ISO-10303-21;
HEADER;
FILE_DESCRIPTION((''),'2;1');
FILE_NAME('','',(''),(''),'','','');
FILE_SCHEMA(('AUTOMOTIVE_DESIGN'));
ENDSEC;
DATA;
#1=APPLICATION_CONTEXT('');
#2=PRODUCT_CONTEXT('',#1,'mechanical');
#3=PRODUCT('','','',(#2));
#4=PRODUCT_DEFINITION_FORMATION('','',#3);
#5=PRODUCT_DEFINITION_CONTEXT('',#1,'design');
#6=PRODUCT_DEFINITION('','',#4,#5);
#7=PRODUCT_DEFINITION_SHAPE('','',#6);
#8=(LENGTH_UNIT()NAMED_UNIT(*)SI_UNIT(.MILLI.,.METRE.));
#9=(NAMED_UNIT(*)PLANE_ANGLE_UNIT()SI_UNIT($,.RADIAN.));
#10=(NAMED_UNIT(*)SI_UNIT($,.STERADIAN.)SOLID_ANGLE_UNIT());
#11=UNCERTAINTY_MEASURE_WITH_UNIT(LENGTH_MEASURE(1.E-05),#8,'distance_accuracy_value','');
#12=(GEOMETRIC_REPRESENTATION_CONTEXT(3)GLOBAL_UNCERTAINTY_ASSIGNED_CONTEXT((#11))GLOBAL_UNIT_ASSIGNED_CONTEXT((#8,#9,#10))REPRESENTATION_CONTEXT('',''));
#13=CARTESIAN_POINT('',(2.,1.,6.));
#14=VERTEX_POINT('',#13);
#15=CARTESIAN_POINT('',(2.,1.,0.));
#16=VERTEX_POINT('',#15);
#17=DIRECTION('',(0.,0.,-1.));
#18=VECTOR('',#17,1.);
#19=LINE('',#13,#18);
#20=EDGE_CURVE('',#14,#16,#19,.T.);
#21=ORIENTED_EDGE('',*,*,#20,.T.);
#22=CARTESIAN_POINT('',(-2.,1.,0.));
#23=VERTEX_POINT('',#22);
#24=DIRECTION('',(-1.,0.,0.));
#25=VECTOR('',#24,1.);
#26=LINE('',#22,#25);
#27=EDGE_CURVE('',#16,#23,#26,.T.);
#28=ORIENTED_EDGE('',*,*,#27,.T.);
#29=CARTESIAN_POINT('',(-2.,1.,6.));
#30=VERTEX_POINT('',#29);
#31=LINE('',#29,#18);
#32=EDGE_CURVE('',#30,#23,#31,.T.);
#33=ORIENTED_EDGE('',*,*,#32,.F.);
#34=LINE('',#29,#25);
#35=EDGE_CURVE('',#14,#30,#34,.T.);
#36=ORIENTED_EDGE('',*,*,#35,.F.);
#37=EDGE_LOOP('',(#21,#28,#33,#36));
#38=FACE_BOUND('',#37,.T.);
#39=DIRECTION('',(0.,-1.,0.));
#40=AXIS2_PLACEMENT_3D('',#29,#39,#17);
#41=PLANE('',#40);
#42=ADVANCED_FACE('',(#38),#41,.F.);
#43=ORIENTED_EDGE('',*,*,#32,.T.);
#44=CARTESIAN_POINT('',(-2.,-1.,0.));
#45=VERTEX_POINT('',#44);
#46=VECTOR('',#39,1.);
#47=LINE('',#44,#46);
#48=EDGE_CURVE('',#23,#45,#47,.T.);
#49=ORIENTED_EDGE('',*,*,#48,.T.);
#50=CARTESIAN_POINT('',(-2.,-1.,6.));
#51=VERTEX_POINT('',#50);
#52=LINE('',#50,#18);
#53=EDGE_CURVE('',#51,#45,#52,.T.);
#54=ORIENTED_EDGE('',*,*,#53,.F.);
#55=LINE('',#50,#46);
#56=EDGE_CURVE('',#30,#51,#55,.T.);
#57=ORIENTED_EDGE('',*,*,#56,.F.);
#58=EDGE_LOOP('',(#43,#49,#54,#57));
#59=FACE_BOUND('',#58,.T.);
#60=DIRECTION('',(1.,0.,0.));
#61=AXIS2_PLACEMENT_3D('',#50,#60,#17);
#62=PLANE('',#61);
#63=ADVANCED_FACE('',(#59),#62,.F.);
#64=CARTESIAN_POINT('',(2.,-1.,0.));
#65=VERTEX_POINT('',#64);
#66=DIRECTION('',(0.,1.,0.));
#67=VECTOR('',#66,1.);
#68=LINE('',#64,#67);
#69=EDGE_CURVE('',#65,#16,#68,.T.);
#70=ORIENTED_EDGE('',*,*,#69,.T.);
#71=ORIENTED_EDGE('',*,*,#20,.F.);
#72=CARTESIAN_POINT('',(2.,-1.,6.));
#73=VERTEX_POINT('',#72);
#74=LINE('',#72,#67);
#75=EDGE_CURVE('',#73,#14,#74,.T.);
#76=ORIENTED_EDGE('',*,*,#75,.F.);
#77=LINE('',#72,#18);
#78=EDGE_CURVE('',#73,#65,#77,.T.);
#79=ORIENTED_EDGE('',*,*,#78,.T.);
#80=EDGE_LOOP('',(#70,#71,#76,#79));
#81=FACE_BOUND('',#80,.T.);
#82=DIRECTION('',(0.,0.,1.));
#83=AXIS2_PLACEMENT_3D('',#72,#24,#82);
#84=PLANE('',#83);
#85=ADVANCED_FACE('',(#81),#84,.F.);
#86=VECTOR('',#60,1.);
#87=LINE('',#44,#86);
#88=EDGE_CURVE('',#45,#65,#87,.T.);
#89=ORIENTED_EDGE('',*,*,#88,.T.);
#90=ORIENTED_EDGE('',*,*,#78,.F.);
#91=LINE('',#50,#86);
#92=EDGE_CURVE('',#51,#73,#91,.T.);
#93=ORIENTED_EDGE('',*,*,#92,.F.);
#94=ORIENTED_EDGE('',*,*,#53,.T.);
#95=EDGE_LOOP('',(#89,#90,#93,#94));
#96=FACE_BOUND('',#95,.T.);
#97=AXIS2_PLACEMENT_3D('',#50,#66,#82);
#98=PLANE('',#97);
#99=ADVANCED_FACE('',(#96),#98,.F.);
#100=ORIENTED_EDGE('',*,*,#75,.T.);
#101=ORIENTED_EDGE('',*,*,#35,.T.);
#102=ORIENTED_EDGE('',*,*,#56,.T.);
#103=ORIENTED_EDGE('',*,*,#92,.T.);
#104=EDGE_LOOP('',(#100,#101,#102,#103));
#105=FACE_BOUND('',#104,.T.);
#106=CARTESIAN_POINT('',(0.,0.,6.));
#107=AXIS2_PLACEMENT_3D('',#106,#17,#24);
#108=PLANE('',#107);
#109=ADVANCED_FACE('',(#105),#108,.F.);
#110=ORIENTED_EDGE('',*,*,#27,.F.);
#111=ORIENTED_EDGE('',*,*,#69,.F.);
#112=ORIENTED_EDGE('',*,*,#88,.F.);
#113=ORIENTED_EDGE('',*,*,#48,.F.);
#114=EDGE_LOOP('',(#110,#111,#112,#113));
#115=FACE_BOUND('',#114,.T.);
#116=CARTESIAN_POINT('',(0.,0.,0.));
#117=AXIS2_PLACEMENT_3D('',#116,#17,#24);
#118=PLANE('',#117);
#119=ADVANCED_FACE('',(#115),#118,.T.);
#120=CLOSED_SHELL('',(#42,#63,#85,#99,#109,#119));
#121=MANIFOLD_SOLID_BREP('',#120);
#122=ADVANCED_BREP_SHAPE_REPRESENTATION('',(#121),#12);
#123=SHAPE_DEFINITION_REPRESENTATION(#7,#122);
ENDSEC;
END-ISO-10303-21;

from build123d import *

# Parameters (mm, degrees)
ESQUISSE2_W        = 4
ESQUISSE2_H        = 2
BOSS_EXTRU_1_DEPTH = 6


with BuildPart() as part:
    # Esquisse2 → Boss.-Extru.1 (new body)
    with BuildSketch(Plane.XY):
        Rectangle(ESQUISSE2_W, ESQUISSE2_H)
    extrude(amount=BOSS_EXTRU_1_DEPTH)


solid = part.part
